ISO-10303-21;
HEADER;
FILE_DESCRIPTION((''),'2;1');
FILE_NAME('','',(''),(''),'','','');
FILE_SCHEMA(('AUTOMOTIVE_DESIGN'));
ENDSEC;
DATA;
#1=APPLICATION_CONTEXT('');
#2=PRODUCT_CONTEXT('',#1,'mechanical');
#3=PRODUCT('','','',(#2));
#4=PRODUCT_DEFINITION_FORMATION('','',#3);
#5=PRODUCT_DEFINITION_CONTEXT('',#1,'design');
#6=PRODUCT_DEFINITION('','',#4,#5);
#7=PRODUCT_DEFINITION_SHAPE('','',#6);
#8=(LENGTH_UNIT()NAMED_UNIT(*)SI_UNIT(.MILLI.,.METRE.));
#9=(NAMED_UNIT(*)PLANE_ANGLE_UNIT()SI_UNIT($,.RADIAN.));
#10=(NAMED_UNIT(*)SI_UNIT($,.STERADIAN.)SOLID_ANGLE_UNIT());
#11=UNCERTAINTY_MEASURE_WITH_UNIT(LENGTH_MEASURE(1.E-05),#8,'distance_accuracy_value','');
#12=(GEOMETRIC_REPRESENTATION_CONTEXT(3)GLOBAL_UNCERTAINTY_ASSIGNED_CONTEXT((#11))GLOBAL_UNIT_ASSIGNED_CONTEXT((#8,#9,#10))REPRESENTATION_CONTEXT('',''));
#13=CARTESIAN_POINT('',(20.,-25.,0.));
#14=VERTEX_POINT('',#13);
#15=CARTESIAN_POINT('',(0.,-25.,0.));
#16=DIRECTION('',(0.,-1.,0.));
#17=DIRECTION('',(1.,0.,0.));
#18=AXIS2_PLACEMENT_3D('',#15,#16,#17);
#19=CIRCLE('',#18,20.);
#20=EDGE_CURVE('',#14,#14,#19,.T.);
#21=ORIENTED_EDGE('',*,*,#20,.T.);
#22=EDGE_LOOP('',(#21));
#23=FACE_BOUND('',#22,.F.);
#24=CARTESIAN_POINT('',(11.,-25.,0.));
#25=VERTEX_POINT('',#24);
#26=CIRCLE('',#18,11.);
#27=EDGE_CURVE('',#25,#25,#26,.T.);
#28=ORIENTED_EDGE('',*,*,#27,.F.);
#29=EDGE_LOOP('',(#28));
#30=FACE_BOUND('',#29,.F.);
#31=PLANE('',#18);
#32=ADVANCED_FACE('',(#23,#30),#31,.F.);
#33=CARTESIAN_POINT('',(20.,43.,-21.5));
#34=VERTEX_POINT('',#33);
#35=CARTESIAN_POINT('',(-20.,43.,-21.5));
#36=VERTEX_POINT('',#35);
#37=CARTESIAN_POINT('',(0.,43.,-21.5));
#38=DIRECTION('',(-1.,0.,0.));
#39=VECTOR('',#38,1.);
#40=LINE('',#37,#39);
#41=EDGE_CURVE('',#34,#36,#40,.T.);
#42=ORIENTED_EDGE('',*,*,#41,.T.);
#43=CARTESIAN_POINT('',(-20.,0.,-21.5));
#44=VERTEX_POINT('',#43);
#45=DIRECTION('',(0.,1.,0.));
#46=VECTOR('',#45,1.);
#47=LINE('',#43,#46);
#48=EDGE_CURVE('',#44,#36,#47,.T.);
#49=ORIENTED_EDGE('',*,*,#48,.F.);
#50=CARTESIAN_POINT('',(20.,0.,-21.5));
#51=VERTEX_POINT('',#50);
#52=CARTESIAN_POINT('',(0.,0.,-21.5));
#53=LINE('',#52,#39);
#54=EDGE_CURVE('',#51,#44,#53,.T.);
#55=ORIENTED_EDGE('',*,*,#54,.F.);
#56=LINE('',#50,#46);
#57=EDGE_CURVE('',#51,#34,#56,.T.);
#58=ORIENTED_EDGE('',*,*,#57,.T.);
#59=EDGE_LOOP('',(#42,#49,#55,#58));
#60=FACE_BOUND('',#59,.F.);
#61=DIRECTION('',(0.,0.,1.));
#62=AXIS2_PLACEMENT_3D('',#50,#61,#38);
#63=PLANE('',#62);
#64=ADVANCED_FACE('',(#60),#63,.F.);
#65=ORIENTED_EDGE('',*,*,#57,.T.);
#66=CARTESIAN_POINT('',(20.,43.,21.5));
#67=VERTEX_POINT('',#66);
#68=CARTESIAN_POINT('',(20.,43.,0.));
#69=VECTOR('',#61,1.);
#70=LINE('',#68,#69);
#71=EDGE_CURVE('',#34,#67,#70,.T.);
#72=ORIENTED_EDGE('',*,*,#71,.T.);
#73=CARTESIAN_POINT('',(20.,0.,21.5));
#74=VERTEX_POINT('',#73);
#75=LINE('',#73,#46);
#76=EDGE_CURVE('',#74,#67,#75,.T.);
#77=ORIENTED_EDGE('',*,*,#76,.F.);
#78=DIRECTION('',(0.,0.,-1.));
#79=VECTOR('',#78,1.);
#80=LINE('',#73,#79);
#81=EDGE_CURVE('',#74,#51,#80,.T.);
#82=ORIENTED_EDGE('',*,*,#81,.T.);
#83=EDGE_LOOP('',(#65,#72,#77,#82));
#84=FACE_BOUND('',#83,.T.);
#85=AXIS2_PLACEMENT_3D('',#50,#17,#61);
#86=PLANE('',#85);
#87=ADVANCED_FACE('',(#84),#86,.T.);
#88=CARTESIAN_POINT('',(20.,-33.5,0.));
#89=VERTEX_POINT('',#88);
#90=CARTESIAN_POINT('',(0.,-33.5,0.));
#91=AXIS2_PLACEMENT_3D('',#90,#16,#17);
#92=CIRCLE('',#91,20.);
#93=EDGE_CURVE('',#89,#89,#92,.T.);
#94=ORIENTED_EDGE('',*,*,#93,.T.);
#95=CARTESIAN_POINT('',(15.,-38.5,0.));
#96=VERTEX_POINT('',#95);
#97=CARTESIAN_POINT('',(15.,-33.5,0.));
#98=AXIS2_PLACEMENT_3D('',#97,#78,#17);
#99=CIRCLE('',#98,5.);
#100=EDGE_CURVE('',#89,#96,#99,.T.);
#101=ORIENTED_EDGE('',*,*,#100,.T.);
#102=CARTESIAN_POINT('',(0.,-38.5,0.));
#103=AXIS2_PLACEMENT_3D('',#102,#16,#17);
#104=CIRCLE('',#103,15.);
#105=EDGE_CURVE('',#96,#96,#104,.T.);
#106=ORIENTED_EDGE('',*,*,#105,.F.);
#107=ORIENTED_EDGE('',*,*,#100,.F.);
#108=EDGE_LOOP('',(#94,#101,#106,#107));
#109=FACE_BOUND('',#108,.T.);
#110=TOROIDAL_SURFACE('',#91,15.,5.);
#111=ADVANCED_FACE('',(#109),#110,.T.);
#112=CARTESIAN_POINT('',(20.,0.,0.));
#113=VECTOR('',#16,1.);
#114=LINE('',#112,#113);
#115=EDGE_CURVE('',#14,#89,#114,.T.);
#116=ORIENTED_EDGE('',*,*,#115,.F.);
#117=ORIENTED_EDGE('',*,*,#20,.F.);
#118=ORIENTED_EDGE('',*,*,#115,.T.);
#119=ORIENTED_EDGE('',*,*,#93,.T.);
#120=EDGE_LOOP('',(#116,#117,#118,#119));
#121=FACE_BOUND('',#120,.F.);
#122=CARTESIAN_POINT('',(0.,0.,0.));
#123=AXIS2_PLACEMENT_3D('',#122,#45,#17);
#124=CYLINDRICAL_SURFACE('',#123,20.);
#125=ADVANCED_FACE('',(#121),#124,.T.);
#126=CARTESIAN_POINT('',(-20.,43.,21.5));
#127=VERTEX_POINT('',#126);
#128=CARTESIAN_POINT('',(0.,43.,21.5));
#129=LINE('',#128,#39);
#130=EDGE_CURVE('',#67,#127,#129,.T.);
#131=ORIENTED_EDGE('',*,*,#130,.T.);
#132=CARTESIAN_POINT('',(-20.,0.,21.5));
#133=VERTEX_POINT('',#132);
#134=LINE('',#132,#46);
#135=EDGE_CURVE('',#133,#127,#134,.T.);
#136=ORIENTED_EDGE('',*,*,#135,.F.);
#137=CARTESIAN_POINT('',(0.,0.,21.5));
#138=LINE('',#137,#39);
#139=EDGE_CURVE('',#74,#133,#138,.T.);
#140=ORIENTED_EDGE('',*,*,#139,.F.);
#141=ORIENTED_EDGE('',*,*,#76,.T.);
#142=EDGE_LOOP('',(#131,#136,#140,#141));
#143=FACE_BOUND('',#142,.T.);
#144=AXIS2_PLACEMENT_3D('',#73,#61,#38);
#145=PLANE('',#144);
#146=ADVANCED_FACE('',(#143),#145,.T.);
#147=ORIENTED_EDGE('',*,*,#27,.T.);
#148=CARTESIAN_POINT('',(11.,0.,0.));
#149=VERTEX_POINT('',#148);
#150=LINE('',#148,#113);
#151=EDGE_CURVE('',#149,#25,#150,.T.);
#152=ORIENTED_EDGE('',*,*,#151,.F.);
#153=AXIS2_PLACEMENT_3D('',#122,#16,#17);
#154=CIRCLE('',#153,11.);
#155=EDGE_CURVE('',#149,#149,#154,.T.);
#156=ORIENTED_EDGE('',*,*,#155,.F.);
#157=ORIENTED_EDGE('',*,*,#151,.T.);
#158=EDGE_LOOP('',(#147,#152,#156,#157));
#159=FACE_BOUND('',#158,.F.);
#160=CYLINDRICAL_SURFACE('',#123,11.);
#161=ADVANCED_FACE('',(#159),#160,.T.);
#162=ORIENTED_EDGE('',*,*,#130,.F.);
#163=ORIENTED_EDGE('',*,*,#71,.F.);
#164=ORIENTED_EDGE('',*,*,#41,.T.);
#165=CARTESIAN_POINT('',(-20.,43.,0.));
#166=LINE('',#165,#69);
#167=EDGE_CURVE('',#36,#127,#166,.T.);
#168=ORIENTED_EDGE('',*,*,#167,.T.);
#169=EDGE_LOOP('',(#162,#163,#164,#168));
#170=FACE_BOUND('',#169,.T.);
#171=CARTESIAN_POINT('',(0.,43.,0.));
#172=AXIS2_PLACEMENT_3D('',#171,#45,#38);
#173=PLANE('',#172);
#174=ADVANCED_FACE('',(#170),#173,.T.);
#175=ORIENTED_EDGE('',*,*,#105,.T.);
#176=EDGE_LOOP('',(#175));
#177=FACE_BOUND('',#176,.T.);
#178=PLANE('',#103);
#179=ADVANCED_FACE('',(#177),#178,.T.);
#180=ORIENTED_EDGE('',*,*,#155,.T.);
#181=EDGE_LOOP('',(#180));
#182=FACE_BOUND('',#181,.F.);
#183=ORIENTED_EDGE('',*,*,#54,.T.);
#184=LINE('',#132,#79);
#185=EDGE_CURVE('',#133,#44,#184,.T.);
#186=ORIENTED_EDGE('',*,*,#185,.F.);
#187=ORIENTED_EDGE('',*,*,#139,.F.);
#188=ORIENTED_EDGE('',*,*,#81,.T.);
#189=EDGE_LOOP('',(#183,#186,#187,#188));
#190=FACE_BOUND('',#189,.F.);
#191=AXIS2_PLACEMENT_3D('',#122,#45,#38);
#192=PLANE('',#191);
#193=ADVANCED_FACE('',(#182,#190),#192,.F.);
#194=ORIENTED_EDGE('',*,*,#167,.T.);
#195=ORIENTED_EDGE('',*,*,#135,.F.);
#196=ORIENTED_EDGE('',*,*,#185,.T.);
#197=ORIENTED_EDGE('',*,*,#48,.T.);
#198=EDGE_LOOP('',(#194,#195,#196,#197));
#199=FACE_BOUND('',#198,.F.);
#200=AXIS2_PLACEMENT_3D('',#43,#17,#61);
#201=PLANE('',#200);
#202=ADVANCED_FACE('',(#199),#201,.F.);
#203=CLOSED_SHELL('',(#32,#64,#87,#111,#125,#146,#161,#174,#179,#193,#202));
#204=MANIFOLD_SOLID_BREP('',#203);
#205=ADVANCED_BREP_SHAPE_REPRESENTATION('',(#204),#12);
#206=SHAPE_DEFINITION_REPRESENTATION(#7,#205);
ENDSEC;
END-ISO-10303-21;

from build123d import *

# Parameters (mm, degrees)
F0_R     = 20
F1_DEPTH = 38.5
F2_W     = 40
F2_H     = 43
F3_DEPTH = 43
F4_R     = 20
F4_R_2   = 11
F5_DEPTH = 25
F6_R     = 5


with BuildPart() as f1:
    # F0 (on Front) → F1 (new body)
    with BuildSketch(Plane.XZ):
        Circle(F0_R)
    extrude(amount=F1_DEPTH)

    # F2 (on face) → F3 (join)
    with BuildSketch(Plane(origin=(0, 0, 0), x_dir=(-1, 0, 0), z_dir=(0, 1, 0))):
        Rectangle(F2_W, F2_H)
    extrude(amount=F3_DEPTH)

    # F4 (on face) → F5 (cut)
    with BuildSketch(Plane.XZ):
        Circle(F4_R)
        Circle(F4_R_2, mode=Mode.SUBTRACT)
    extrude(amount=F5_DEPTH, mode=Mode.SUBTRACT)

    # F6
    f6_edges = [f1.edges().sort_by_distance(p)[0] for p in [
        (-20, -38.5, 0),
    ]]
    fillet(f6_edges, radius=F6_R)


solid = f1.part
